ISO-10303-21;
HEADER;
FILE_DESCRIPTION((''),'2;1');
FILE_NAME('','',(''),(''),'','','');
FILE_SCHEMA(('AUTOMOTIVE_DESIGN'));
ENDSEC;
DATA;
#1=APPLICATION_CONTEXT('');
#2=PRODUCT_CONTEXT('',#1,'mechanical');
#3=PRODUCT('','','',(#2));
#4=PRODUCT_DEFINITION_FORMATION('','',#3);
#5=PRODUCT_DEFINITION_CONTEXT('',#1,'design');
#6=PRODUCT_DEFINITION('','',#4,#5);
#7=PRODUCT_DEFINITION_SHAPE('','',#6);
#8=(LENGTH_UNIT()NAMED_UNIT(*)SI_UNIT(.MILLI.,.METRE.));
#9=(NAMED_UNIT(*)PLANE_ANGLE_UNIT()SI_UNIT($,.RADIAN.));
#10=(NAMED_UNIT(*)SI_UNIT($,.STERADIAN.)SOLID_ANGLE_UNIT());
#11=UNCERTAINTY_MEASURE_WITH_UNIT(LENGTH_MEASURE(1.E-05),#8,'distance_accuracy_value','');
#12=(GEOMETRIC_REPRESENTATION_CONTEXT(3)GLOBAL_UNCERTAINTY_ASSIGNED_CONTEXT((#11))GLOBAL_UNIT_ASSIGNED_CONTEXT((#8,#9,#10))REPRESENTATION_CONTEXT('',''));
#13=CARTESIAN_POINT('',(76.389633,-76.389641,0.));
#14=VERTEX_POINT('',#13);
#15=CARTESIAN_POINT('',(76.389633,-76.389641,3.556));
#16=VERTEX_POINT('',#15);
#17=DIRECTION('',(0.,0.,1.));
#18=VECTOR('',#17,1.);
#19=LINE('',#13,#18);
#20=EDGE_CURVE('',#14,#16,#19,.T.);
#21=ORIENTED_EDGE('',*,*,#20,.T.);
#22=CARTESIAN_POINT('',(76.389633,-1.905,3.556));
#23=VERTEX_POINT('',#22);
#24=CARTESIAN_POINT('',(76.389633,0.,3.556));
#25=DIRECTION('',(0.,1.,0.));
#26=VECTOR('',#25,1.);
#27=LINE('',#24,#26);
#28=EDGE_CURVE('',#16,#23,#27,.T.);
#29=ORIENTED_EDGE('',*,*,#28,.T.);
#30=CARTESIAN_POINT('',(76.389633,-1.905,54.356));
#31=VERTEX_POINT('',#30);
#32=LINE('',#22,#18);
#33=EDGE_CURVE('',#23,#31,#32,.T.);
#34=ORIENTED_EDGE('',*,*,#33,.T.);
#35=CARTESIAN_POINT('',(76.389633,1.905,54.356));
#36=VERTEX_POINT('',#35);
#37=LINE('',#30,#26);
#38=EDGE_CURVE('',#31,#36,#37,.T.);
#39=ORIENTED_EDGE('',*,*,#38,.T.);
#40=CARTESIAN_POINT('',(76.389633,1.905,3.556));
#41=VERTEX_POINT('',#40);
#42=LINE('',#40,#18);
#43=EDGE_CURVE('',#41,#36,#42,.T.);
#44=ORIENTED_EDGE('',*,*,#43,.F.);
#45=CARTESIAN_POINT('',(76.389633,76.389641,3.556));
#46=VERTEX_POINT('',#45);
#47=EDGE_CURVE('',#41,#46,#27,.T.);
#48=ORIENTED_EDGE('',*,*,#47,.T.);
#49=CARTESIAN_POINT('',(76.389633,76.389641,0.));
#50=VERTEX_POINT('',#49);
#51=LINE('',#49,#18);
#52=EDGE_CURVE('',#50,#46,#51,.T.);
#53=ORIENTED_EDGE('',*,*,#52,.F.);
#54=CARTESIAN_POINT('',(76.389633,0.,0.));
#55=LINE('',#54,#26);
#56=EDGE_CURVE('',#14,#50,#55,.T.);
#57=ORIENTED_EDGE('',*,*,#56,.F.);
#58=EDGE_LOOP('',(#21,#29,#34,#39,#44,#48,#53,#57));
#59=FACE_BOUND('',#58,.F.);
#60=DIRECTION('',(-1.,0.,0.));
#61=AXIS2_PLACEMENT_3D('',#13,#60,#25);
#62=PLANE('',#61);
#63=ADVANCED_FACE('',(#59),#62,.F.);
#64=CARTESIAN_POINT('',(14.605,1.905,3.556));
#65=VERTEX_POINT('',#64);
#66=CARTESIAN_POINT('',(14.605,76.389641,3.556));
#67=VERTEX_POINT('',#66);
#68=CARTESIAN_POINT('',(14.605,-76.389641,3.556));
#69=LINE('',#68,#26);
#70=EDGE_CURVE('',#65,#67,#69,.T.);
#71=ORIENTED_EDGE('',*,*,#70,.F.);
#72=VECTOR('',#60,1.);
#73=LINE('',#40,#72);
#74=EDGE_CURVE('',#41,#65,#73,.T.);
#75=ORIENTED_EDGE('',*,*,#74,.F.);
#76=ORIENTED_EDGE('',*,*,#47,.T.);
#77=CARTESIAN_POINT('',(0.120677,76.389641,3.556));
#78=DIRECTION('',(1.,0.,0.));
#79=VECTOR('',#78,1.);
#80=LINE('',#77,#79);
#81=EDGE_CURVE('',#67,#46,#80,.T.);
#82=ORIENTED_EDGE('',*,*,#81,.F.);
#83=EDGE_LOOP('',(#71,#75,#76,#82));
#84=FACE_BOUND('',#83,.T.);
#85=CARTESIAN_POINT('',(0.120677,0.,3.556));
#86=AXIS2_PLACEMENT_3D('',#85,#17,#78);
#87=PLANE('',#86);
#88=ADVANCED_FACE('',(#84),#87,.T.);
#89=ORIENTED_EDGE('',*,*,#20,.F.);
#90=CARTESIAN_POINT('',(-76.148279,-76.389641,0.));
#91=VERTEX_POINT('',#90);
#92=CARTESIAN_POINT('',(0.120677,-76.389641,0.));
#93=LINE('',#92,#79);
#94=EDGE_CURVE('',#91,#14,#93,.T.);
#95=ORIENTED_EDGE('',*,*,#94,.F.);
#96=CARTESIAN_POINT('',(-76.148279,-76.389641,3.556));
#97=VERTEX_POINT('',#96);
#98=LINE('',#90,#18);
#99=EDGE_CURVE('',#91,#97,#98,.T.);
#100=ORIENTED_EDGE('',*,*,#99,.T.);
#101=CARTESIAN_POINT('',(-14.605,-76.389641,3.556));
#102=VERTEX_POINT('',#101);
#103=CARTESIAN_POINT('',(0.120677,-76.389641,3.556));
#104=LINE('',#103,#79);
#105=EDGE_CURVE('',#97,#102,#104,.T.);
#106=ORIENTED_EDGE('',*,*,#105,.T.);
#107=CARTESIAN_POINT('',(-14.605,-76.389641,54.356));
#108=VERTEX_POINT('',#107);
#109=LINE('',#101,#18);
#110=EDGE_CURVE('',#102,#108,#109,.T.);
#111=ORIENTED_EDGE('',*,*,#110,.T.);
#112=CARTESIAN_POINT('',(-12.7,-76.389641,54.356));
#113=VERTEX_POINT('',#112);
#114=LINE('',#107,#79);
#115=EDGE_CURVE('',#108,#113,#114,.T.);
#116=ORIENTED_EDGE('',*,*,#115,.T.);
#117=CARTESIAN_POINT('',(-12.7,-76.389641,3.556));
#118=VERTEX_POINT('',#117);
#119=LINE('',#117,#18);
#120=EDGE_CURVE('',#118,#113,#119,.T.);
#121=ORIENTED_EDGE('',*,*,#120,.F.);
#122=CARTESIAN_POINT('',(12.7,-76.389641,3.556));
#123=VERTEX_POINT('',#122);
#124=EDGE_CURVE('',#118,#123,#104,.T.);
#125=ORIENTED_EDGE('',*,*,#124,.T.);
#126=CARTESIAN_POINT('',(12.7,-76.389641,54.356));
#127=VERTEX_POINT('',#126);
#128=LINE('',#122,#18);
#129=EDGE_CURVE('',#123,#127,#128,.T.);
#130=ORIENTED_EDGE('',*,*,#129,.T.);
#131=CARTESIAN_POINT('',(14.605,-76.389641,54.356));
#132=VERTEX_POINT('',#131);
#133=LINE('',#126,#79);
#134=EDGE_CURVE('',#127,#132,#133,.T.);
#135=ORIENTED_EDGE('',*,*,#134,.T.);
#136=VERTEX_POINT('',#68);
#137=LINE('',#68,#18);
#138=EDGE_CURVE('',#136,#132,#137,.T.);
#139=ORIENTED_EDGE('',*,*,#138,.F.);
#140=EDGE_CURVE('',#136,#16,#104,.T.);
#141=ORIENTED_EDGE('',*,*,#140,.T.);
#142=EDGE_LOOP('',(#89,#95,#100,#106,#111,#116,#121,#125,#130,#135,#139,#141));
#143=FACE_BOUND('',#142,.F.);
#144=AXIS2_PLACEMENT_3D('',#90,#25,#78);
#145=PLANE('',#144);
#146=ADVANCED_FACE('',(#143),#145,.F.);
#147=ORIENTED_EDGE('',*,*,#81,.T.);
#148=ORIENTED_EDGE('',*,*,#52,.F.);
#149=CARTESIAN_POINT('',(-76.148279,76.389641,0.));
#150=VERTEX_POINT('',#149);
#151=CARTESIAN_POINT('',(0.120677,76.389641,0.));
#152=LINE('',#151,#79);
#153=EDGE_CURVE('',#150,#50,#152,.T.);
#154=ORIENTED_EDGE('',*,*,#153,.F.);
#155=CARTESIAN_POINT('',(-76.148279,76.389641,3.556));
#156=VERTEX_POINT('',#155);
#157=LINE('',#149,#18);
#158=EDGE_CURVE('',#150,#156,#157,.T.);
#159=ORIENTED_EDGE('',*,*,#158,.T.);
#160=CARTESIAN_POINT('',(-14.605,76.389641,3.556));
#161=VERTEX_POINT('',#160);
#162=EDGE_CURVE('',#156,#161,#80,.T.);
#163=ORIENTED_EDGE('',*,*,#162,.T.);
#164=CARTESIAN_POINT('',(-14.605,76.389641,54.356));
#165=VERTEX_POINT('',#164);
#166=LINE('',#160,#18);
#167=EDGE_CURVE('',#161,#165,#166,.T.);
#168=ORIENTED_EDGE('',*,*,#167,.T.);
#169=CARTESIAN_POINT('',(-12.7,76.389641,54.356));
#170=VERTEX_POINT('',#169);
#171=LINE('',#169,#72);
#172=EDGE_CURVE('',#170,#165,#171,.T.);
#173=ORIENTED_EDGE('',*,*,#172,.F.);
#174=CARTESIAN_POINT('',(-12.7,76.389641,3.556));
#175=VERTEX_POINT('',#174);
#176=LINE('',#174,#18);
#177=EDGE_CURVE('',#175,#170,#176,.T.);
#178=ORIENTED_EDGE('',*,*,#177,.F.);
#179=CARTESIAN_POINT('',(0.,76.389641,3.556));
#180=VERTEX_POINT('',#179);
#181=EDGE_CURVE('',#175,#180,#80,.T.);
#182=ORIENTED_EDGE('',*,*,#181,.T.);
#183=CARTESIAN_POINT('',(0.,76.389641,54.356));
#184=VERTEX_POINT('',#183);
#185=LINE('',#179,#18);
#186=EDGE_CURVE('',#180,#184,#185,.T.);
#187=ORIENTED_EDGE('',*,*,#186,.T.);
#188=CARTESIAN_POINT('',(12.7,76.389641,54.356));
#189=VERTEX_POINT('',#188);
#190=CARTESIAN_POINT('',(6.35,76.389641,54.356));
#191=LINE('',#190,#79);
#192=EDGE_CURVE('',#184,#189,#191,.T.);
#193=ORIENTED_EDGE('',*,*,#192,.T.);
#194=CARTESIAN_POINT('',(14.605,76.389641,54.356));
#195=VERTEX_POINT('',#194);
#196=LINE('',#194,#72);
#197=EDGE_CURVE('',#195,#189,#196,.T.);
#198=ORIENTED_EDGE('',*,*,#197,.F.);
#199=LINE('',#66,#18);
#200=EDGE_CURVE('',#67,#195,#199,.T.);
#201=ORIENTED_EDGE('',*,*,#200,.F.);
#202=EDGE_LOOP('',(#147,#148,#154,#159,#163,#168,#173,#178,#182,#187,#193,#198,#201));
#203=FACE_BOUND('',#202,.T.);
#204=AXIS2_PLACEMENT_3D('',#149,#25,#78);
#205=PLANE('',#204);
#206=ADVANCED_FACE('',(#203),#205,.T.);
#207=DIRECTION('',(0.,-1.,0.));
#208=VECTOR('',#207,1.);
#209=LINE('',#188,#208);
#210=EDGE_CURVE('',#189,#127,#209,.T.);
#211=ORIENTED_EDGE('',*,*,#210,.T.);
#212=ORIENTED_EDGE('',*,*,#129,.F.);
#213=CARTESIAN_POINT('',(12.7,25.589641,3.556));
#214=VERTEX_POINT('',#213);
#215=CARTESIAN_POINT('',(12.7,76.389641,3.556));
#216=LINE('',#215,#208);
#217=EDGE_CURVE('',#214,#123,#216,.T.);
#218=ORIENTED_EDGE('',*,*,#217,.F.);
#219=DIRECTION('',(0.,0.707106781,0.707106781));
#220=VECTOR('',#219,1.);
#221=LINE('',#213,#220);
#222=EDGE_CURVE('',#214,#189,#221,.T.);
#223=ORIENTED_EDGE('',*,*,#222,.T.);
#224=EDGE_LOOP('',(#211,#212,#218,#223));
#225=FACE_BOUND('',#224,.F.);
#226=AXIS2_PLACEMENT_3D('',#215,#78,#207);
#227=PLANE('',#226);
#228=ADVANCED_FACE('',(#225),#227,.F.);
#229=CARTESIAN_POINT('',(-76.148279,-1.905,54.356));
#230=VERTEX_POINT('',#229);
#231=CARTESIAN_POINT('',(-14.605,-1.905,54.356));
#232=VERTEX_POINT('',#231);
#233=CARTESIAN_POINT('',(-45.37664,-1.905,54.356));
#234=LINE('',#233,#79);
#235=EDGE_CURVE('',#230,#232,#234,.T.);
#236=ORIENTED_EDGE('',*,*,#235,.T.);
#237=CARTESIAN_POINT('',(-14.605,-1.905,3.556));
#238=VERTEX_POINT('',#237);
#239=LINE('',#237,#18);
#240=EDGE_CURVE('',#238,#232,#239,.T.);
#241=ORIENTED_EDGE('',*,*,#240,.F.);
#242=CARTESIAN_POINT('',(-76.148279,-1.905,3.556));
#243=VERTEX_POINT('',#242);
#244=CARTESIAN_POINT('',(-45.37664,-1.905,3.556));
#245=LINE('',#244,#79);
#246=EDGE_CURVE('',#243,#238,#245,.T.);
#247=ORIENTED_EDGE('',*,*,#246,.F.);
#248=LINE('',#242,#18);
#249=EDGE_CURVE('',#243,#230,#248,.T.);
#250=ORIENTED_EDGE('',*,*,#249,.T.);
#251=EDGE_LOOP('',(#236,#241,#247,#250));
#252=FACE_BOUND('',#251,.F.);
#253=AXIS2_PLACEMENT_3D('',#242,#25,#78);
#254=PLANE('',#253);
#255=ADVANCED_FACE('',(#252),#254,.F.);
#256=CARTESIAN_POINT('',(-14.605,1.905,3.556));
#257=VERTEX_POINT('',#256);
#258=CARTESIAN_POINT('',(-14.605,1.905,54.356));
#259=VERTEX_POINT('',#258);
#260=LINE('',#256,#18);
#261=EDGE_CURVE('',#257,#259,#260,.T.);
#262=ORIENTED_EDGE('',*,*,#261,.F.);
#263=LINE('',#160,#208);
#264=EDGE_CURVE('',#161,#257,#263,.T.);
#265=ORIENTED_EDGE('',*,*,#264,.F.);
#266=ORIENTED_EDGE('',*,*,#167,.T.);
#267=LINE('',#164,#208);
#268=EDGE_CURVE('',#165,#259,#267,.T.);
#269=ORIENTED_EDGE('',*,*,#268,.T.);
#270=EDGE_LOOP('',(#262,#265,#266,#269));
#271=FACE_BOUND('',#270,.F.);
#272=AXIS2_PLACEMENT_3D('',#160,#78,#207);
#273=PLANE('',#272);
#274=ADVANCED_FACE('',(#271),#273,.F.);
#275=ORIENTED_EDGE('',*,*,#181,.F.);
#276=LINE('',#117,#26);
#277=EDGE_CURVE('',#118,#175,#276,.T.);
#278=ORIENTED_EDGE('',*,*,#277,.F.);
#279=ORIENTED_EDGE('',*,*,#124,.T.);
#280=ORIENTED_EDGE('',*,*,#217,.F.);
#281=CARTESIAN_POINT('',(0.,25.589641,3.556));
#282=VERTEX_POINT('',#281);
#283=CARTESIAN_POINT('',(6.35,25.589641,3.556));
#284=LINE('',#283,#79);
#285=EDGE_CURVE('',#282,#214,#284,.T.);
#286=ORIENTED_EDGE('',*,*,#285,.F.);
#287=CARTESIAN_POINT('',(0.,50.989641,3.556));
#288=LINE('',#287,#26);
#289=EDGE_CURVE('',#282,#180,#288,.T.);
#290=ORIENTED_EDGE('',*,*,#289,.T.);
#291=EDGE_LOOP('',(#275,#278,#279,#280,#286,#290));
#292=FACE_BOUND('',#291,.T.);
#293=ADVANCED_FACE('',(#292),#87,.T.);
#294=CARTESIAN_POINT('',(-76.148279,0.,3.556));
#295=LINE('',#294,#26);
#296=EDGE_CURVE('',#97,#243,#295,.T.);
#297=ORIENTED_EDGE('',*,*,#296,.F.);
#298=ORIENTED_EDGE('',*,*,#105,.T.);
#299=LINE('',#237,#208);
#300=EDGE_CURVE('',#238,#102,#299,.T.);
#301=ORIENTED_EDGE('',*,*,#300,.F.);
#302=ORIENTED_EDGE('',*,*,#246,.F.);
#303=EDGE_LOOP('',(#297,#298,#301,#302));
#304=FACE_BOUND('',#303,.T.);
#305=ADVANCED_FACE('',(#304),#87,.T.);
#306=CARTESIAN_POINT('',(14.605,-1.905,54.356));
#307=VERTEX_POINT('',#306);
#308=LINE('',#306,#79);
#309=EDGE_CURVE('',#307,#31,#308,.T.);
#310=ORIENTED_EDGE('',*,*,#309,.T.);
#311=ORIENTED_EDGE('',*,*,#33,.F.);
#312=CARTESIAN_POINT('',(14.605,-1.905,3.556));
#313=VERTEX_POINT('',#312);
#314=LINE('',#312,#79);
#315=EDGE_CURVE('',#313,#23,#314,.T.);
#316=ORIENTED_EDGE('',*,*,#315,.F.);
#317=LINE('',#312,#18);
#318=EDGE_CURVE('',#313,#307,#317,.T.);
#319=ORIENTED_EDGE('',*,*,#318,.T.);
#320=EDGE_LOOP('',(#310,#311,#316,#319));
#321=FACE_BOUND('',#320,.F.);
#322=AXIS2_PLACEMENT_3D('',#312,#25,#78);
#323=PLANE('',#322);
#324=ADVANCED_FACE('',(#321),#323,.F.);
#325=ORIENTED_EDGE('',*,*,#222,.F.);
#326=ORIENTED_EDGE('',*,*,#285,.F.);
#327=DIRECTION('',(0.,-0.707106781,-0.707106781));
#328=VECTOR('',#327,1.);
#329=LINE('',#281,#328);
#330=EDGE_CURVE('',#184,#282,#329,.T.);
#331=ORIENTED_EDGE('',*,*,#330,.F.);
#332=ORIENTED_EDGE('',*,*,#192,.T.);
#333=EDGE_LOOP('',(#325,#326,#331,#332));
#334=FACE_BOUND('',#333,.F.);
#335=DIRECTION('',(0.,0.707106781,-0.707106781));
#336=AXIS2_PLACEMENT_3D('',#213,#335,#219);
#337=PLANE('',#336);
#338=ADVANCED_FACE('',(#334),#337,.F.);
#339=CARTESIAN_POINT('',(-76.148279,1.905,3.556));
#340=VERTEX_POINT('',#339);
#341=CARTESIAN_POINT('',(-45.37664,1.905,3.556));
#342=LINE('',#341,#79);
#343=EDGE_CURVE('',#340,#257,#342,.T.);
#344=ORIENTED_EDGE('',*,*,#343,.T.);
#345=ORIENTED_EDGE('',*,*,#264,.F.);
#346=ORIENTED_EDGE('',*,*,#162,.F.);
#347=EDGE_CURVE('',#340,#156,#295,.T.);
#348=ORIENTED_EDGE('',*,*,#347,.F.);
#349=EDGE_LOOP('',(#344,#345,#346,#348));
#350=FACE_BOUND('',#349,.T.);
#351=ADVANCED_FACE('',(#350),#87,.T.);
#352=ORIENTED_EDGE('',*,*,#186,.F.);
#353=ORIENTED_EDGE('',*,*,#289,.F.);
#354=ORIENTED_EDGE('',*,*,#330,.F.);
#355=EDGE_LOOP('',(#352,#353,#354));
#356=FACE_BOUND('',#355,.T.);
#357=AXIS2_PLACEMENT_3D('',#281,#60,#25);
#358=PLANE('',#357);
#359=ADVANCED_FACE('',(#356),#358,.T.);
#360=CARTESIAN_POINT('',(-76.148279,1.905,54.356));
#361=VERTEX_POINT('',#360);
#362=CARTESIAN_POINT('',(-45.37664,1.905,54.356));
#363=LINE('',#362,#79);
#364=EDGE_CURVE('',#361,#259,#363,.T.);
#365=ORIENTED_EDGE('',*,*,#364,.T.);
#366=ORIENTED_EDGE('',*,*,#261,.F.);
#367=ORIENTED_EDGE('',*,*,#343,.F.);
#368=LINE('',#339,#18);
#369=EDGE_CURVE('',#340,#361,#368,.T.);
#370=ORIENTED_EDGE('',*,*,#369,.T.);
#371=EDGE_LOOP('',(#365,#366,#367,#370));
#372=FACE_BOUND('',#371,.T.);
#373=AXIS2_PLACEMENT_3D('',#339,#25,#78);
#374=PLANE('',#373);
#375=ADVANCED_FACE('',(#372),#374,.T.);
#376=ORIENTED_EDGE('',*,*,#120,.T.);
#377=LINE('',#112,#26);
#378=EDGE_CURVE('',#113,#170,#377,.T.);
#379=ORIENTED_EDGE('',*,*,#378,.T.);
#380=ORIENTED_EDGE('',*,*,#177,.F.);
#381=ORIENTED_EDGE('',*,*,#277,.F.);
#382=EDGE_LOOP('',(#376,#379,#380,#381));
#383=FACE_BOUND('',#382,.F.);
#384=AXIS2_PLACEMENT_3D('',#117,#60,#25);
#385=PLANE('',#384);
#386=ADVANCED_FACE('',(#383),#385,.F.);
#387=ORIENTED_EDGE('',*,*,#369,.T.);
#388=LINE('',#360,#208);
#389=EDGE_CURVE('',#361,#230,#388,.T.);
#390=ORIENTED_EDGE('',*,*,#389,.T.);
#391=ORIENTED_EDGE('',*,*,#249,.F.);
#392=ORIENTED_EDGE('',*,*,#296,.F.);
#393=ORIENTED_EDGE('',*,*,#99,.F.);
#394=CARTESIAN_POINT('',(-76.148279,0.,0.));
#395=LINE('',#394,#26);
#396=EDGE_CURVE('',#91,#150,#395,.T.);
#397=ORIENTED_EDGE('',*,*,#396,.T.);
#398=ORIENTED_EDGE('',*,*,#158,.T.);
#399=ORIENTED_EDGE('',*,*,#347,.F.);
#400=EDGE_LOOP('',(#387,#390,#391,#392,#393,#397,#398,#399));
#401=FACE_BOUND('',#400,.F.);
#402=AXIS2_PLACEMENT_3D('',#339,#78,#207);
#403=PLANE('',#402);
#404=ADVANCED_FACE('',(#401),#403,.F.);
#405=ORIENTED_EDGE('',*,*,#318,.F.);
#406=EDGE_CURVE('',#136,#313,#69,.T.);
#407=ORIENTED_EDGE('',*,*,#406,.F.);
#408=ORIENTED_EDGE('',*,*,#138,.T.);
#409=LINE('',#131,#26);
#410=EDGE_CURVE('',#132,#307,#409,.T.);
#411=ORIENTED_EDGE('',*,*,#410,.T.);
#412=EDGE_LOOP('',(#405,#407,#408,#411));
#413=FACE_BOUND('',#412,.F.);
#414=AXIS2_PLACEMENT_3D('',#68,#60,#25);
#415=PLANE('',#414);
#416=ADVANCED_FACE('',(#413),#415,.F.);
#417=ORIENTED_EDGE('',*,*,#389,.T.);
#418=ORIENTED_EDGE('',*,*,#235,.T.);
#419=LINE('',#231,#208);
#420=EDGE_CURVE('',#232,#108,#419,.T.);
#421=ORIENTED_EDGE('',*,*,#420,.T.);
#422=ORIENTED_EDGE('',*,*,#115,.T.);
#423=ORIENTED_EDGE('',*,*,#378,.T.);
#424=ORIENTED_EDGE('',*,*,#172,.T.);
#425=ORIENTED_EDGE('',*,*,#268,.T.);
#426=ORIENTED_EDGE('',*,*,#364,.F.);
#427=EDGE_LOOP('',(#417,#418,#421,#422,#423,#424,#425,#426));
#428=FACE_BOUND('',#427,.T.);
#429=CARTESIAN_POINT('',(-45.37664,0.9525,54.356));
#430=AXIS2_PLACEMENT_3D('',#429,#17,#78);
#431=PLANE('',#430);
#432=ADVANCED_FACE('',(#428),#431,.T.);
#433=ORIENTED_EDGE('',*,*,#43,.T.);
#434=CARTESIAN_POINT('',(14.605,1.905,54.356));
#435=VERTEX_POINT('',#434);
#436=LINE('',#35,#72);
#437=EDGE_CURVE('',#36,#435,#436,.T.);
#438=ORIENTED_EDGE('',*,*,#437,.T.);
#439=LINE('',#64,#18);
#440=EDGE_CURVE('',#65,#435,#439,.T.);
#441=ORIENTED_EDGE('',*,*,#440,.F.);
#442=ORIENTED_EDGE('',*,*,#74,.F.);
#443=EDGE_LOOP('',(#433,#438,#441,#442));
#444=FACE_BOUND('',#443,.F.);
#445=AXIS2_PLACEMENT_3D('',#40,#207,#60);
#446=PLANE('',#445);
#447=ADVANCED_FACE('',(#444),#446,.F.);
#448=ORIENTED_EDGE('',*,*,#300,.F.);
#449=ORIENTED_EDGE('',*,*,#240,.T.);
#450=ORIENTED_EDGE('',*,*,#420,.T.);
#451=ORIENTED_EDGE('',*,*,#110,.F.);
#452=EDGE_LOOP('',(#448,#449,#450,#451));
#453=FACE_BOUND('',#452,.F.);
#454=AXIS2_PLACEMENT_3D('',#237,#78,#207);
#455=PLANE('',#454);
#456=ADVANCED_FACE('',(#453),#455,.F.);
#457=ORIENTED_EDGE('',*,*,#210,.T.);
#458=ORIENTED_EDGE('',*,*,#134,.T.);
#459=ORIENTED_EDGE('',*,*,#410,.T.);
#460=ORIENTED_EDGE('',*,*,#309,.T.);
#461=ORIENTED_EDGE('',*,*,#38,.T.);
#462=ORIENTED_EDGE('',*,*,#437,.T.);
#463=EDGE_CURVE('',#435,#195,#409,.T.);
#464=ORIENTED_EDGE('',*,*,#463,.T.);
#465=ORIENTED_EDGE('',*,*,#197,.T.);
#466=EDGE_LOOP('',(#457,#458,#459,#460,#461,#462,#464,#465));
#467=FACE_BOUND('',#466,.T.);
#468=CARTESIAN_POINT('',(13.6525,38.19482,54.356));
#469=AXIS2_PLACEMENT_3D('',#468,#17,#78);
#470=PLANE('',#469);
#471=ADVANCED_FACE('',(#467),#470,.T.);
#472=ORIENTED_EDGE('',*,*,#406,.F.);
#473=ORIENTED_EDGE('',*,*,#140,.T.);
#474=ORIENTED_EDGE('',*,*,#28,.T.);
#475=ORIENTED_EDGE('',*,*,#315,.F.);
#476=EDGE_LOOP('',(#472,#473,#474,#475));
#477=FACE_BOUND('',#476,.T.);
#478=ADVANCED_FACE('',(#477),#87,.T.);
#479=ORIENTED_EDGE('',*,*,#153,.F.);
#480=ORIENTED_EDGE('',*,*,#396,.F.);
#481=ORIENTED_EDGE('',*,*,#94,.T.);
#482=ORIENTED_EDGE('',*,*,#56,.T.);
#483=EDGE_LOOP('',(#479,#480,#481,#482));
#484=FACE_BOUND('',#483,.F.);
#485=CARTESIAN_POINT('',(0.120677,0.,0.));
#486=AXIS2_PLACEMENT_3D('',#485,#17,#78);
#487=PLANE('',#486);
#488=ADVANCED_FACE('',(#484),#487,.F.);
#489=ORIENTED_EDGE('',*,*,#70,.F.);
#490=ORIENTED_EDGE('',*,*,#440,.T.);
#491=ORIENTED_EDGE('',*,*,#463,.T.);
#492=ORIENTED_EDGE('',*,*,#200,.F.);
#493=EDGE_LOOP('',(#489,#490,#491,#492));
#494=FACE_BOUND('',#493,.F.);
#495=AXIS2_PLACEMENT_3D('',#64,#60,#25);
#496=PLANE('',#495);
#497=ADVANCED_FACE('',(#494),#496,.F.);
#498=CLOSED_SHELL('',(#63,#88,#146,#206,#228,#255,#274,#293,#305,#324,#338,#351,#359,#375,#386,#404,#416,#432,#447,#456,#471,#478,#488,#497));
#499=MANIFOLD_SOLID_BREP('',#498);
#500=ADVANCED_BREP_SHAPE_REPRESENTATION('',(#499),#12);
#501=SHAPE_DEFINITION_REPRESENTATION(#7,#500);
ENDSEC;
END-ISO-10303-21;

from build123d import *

# Parameters (mm, degrees)
F0_W     = 152.5379121304
F0_H     = 152.7792811394
F1_DEPTH = 3.556
F2_W     = 12.7
F2_H     = 50.8
F3_DEPTH = 50.8
F5_DEPTH = 25.4
F6_W     = 61.5432790112
F6_H     = 1.905
F7_DEPTH = 50.8


with BuildPart() as f1:
    # F0 (on Top) → F1 (new body)
    with BuildSketch(Plane.XY):
        with Locations((0.1206770539, 0)):
            Rectangle(F0_W, F0_H)
    extrude(amount=F1_DEPTH)

    # F2 (on face) → F3 (join)
    with BuildSketch(Plane.XY.offset(3.556)):
        with Locations((6.35, 50.9896405697)):
            Rectangle(F2_W, F2_H)
    extrude(amount=F3_DEPTH)

    # F4 (on face) → F5 (cut)
    with BuildSketch(Plane.YZ.offset(12.7)):
        Polygon((25.5896405697, 3.556), (76.3896405697, 54.356), (25.5896405697, 54.356), align=None)
    extrude(amount=-F5_DEPTH, mode=Mode.SUBTRACT)

    # F6 (on face) → F7 (join)
    with BuildSketch(Plane.XY.offset(3.556)):
        with Locations((-45.3766395056, 0.9525)):
            Rectangle(F6_W, F6_H)
        with Locations((-45.3766395056, -0.9525)):
            Rectangle(F6_W, F6_H)
        Polygon((-12.7, 0), (-12.7, 25.5896405697), (-12.7, 76.3896405697), (-14.605, 76.3896405697), (-14.605, 1.905), (-14.605, 0), align=None)
        Polygon((-14.605, -76.3896405697), (-12.7, -76.3896405697), (-12.7, 0), (-14.605, 0), (-14.605, -1.905), align=None)
        Polygon((14.605, 76.3896405697), (12.7, 76.3896405697), (12.7, 25.5896405697), (12.7, 0), (14.605, 0), (14.605, 1.905), align=None)
        Polygon((14.605, 0), (12.7, 0), (12.7, -76.3896405697), (14.605, -76.3896405697), (14.605, -1.905), align=None)
        Polygon((76.1482790112, 1.905), (14.605, 1.905), (14.605, 0), (76.3896331191, 0), (76.3896331191, 1.905), align=None)
        Polygon((76.3896331191, 0), (14.605, 0), (14.605, -1.905), (76.1482790112, -1.905), (76.3896331191, -1.905), align=None)
    extrude(amount=F7_DEPTH)


solid = f1.part
